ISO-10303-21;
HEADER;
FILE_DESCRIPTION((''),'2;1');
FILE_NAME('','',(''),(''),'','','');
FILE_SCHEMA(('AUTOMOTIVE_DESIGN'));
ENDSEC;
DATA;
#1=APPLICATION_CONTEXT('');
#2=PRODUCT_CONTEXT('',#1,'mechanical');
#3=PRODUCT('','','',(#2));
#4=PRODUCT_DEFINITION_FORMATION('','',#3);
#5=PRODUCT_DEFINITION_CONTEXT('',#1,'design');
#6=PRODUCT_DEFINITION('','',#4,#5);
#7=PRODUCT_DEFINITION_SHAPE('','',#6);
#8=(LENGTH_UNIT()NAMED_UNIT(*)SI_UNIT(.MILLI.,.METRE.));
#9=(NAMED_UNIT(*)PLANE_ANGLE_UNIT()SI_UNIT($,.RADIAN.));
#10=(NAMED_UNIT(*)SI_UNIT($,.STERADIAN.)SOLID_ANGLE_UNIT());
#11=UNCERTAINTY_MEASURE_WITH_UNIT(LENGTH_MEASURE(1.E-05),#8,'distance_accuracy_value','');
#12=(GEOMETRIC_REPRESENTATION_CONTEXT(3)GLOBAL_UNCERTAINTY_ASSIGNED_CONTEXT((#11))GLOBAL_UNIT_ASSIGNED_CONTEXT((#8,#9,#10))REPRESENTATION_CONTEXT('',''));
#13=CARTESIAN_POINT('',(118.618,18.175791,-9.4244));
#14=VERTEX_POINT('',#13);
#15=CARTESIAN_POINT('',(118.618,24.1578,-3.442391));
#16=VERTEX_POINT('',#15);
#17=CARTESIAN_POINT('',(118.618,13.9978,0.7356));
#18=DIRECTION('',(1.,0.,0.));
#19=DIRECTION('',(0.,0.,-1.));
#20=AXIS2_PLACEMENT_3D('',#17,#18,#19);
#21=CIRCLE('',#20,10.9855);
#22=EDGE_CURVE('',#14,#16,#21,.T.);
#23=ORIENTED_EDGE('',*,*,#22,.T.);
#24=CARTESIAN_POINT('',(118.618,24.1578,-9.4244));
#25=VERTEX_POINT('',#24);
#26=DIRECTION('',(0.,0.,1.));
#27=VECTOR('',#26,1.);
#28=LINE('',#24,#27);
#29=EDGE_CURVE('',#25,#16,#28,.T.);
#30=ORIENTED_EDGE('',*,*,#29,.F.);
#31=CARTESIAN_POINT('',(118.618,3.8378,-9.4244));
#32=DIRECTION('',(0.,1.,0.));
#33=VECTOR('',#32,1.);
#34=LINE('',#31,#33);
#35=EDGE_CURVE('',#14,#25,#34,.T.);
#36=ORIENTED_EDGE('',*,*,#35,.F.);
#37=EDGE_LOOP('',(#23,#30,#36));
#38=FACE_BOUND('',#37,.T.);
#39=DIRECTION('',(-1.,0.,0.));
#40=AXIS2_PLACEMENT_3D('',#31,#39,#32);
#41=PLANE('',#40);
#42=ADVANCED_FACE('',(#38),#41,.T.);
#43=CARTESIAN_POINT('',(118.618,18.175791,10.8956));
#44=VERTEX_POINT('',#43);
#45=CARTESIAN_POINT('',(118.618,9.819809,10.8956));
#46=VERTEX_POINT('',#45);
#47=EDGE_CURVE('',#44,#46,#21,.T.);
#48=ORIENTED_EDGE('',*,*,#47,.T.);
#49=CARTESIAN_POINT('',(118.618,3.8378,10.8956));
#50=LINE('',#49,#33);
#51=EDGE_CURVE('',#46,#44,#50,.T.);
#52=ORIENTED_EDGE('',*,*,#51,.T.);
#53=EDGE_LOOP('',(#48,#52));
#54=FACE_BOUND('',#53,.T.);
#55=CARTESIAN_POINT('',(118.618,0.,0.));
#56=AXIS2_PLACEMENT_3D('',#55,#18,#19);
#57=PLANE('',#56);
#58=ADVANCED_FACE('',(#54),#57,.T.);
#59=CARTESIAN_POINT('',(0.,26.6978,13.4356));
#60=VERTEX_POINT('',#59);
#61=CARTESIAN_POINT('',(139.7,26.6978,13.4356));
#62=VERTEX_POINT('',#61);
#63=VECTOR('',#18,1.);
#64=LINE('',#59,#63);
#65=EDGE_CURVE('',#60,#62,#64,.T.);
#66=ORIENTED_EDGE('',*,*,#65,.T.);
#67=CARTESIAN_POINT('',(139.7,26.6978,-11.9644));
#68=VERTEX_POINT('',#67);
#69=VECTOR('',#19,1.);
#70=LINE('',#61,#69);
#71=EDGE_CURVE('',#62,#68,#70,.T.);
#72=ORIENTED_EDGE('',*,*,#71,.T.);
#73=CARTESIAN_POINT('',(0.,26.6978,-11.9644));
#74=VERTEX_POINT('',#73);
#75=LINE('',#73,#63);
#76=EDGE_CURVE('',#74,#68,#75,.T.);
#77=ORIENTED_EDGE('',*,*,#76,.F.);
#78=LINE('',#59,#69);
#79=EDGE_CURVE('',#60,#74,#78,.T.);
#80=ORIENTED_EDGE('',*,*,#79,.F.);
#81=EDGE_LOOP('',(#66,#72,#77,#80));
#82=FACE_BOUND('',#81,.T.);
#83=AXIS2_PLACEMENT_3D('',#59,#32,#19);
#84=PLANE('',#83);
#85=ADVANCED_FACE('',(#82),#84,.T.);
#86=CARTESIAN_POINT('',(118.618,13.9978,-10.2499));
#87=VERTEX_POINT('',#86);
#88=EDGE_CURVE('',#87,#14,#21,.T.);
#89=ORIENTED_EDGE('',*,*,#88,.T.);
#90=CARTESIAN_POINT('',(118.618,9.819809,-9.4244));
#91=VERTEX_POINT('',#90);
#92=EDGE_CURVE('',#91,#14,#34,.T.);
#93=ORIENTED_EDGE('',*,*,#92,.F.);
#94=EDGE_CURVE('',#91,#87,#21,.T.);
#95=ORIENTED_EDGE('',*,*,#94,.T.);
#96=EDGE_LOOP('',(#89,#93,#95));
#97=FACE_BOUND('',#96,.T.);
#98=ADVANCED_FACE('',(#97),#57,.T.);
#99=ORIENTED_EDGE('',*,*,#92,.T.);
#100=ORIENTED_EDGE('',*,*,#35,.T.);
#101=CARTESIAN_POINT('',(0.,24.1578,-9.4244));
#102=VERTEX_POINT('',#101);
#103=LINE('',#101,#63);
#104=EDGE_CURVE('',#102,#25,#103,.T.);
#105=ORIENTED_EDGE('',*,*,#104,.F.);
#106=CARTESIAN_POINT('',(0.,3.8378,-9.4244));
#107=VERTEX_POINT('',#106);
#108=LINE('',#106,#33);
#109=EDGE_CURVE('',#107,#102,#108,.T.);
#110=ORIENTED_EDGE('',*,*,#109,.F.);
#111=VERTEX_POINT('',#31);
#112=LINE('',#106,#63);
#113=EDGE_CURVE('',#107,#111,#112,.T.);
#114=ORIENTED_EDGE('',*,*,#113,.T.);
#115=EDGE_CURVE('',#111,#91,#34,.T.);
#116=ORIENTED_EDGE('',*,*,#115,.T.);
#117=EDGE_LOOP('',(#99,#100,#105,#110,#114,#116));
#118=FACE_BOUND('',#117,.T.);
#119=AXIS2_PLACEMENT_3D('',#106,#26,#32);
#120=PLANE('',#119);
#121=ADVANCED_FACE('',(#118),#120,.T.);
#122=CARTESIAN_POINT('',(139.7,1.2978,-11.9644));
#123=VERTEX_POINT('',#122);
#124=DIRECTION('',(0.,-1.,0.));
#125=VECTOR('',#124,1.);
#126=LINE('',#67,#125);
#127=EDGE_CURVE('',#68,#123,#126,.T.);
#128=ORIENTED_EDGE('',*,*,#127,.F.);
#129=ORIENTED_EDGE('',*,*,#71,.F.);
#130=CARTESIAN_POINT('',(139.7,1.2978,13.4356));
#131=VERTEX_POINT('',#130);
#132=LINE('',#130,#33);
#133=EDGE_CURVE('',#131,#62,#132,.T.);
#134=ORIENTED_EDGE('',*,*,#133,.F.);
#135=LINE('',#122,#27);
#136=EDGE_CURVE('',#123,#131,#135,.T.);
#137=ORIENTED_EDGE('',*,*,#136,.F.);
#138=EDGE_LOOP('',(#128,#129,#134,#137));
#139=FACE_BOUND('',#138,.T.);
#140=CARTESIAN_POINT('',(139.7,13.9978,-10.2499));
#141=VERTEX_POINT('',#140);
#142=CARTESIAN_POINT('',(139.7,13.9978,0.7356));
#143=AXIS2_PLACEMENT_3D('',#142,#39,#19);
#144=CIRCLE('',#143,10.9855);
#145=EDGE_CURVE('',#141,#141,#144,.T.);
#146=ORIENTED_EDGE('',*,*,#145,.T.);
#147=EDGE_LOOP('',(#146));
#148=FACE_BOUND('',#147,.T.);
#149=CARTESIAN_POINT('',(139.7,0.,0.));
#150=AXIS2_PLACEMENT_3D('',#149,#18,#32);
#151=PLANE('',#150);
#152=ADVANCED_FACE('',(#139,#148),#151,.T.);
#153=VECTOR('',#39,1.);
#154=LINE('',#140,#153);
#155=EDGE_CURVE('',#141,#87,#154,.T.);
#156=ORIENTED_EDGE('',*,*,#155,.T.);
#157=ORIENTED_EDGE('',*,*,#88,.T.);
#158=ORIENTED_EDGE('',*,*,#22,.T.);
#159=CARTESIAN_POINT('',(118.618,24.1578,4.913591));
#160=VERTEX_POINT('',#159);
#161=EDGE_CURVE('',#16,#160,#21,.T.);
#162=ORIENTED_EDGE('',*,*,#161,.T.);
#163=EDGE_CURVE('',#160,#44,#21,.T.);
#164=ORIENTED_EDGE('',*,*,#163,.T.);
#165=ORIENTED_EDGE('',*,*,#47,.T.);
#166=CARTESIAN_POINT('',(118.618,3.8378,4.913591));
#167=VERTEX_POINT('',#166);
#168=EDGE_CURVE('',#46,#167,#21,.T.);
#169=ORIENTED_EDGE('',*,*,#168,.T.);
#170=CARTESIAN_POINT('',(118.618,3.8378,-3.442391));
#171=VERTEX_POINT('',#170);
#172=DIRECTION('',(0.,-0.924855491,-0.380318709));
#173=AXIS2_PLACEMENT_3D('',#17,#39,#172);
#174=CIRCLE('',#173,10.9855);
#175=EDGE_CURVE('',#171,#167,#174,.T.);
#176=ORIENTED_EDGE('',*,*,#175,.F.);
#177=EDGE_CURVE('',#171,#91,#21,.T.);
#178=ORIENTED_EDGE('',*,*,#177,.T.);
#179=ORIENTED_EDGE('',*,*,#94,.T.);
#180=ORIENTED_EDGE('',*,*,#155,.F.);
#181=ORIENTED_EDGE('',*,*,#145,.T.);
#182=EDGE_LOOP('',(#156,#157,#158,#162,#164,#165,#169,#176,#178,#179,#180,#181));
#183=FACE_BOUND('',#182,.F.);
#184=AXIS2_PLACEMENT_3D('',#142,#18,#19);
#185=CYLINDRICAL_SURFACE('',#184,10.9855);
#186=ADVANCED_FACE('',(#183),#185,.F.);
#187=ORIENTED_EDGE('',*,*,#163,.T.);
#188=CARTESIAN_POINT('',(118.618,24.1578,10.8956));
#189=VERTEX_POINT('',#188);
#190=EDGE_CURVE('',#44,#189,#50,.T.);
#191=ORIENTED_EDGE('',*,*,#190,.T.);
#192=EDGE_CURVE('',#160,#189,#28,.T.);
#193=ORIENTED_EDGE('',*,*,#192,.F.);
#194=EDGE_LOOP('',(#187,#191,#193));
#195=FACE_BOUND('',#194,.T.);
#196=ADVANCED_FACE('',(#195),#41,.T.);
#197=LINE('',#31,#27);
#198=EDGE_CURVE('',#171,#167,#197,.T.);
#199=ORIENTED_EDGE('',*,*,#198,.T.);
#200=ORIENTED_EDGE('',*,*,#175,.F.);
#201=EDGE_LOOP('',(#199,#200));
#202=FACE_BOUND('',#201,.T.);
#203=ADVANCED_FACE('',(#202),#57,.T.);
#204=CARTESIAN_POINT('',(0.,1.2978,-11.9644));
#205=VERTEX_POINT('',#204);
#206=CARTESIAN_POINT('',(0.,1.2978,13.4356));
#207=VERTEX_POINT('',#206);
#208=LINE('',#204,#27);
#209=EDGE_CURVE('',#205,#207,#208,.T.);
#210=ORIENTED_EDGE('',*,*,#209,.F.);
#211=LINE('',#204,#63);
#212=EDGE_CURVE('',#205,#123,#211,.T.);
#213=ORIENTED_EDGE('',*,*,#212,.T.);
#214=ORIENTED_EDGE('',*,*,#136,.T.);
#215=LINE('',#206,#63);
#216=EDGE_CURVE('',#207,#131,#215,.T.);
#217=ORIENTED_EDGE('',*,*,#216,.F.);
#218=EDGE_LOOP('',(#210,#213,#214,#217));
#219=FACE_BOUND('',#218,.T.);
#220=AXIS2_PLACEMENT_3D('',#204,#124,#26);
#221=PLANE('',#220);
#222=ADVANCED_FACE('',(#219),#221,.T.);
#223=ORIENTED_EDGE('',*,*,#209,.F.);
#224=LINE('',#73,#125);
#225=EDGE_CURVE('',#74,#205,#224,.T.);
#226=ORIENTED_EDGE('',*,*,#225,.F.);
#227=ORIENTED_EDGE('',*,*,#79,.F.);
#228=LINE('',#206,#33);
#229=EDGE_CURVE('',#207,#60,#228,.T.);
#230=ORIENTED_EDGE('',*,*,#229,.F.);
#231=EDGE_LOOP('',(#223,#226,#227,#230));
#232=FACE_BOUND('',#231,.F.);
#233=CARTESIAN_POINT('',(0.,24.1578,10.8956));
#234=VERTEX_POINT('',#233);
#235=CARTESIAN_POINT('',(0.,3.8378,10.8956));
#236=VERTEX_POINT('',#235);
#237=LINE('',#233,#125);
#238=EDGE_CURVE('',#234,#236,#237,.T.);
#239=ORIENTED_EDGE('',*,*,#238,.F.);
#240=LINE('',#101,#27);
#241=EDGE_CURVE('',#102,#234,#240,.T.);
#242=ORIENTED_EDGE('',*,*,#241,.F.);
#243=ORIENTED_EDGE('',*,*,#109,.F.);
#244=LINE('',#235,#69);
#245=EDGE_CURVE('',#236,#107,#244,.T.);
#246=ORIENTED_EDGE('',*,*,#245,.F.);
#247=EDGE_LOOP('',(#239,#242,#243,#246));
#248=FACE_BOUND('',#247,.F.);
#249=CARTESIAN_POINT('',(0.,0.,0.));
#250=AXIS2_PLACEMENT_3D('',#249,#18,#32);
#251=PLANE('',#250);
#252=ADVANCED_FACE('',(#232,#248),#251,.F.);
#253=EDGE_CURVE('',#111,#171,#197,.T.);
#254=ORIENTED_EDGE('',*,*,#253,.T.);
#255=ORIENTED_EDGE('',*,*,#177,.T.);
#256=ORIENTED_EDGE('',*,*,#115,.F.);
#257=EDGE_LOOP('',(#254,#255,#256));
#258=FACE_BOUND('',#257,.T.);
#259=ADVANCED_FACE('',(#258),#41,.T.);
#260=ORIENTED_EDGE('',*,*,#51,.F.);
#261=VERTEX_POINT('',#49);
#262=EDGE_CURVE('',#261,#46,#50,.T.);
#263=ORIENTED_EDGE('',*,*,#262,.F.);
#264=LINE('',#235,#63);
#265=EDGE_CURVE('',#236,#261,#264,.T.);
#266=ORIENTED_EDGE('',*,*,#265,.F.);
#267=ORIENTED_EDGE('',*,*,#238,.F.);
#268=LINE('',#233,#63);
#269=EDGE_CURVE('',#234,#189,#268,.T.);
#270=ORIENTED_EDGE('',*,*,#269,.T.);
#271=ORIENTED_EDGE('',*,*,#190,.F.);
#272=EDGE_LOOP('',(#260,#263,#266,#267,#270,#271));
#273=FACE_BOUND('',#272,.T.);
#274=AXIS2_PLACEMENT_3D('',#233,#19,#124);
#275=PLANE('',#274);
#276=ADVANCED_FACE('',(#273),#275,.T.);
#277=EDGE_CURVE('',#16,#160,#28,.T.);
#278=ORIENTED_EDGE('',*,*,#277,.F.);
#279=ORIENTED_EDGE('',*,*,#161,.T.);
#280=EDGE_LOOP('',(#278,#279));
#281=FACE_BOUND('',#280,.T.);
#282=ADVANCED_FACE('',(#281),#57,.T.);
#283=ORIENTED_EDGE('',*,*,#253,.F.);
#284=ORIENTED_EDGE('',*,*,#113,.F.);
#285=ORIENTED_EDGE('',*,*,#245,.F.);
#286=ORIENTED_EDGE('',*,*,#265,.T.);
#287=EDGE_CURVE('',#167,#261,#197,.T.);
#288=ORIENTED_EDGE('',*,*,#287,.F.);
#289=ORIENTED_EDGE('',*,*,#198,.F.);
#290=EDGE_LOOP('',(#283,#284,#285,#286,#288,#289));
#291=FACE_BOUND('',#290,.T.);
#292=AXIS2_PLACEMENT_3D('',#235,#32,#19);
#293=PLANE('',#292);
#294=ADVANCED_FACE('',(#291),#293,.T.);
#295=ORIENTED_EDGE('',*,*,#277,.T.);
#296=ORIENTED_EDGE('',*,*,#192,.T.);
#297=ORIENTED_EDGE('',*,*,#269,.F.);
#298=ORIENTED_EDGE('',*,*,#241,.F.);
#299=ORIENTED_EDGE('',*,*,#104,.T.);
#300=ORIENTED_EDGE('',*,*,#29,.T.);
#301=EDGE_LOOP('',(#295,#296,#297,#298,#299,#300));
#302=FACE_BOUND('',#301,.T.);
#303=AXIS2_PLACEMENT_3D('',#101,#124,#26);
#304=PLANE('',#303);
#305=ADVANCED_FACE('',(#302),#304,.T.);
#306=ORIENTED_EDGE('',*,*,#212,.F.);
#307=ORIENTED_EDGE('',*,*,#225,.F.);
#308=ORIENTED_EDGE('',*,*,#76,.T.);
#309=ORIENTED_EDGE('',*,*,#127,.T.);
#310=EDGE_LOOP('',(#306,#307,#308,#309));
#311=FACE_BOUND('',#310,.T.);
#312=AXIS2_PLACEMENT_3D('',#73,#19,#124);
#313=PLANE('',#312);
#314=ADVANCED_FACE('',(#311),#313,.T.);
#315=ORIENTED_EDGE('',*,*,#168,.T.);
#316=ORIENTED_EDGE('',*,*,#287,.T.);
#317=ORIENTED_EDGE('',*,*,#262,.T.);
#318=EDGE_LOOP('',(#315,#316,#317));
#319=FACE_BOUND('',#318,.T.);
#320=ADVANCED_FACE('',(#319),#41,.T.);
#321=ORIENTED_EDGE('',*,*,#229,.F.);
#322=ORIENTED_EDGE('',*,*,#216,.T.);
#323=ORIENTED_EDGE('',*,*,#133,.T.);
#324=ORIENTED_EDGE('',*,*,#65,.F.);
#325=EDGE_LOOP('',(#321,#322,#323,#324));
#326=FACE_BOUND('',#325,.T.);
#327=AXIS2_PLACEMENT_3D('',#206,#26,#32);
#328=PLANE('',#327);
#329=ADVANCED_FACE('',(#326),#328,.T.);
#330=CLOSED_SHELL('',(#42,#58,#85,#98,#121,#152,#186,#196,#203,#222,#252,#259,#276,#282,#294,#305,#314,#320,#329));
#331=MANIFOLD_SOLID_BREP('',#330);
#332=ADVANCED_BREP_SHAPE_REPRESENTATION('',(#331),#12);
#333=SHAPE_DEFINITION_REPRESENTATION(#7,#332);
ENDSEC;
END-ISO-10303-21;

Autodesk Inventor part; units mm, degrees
ref_plane "YZ Plane" through (0, 0, 0) normal (1, 0, 0) x (0, 1, 0)
ref_plane "XZ Plane" through (0, 0, 0) normal (0, 1, 0) x (-1, 0, 0)
ref_plane "XY Plane" through (0, 0, 0) normal (0, 0, 1) x (1, 0, 0)
sketch "Sketch1" plane through (0, 0, 0) normal (1, 0, 0) x (0, 1, 0)
  line L0 (1.2978, 13.4356) -> (26.6978, 13.4356)
  line L1 (26.6978, 13.4356) -> (26.6978, -11.9644)
  line L2 (26.6978, -11.9644) -> (1.2978, -11.9644)
  line L3 (1.2978, -11.9644) -> (1.2978, 13.4356)
  line L4 (24.1578, -9.4244) -> (24.1578, 10.8956)
  line L5 (24.1578, 10.8956) -> (3.8378, 10.8956)
  line L6 (3.8378, 10.8956) -> (3.8378, -9.4244)
  line L7 (3.8378, -9.4244) -> (24.1578, -9.4244)
  point P0 (0, 0)
  dimension "d0" = 25.4
  dimension "d1" = 25.4
  dimension "d2" = 2.54
extrude "Extrusion1" add sketch "Sketch1" along normal blind 139.7
sketch "Sketch2" plane through (0, 3.8378, -9.4244) normal (0, 0, 1) x (1, 0, 0)
  line L0 (0, 0) -> (139.7, 0) projected
  line L1 (139.7, 0) -> (118.618, 0)
  line L2 (118.618, 0) -> (118.618, 20.32)
  line L3 (118.618, 20.32) -> (139.7, 20.32)
  line L4 (139.7, 20.32) -> (139.7, 0)
  point P0 (0, -3.8378)
  dimension "d5" = 21.082
  dimension "d6" = 20.32
extrude "Extrusion2" add sketch "Sketch2" along normal blind 20.32
sketch "Sketch3" plane through (139.7, 0, 0) normal (1, 0, 0) x (0, 0, -1)
  line L0 (11.9644, 1.2978) -> (-13.4356, 1.2978) projected
  line L1 (-0.7356, 1.2978) -> (-0.7356, 13.9978)
  line L2 (-13.4356, 26.6978) -> (11.9644, 26.6978) projected
  circle A0 centre (-0.7356, 13.9978) radius 10.9855
  point P0 (0, 0)
  dimension "d9" = 12.7
  dimension "d10" = 21.971
extrude "Extrusion3" cut sketch "Sketch3" against normal blind 21.082
thread "Thread1" size "M22x1.5" class "6H" standard "ANSI Metric M Profile" full length
properties part number "2nd arm"
